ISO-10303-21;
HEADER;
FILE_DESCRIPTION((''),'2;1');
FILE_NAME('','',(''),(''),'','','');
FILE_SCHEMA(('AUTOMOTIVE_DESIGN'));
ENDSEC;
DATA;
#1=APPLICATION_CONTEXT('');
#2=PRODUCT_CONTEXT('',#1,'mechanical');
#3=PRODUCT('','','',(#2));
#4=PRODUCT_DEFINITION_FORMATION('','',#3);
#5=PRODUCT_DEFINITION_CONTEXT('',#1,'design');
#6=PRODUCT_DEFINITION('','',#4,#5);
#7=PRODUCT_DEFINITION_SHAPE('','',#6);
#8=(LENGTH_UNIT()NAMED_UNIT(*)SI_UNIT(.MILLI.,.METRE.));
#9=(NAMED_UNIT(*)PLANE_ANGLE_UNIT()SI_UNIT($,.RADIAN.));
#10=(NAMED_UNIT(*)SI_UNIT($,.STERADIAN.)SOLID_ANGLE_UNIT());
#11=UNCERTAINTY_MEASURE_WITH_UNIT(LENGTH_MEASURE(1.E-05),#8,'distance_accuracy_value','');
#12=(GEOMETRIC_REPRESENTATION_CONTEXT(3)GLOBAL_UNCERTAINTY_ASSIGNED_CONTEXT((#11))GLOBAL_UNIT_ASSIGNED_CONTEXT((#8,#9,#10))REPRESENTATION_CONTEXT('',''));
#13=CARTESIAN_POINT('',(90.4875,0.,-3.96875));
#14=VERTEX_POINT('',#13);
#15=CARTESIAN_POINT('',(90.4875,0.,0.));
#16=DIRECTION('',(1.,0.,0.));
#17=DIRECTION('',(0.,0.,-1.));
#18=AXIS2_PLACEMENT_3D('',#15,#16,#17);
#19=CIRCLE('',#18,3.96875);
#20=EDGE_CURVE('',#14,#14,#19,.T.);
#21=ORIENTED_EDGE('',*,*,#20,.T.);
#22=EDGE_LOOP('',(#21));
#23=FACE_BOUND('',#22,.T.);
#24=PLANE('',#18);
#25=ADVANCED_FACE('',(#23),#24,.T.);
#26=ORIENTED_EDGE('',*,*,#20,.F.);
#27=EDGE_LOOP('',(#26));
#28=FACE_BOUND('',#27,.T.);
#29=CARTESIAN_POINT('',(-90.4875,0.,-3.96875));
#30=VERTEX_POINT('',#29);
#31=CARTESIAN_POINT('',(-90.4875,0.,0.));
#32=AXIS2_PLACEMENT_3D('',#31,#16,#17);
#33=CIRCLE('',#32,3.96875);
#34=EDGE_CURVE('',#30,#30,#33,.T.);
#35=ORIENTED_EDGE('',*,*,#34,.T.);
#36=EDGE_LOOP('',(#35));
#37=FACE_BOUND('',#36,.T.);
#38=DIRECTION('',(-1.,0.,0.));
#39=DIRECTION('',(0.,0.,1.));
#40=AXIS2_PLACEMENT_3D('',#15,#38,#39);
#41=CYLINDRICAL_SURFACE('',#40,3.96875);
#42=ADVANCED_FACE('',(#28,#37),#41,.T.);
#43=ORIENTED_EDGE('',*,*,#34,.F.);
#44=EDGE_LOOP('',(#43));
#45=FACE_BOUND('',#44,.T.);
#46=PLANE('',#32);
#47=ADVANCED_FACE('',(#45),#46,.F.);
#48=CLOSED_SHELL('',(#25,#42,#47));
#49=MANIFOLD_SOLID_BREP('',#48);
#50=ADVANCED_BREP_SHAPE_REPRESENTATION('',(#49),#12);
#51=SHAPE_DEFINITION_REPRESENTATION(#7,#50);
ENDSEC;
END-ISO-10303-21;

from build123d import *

# Parameters (mm, degrees)
SKETCH1_R           = 3.96875
BOSS_EXTRUDE1_DEPTH = 90.4875


with BuildPart() as part:
    # Sketch1 → Boss-Extrude1 (new body, symmetric)
    with BuildSketch(Plane(origin=(0, 0, 0), x_dir=(0, 0, -1), z_dir=(1, 0, 0))):
        Circle(SKETCH1_R)
    extrude(amount=BOSS_EXTRUDE1_DEPTH, both=True)


solid = part.part
